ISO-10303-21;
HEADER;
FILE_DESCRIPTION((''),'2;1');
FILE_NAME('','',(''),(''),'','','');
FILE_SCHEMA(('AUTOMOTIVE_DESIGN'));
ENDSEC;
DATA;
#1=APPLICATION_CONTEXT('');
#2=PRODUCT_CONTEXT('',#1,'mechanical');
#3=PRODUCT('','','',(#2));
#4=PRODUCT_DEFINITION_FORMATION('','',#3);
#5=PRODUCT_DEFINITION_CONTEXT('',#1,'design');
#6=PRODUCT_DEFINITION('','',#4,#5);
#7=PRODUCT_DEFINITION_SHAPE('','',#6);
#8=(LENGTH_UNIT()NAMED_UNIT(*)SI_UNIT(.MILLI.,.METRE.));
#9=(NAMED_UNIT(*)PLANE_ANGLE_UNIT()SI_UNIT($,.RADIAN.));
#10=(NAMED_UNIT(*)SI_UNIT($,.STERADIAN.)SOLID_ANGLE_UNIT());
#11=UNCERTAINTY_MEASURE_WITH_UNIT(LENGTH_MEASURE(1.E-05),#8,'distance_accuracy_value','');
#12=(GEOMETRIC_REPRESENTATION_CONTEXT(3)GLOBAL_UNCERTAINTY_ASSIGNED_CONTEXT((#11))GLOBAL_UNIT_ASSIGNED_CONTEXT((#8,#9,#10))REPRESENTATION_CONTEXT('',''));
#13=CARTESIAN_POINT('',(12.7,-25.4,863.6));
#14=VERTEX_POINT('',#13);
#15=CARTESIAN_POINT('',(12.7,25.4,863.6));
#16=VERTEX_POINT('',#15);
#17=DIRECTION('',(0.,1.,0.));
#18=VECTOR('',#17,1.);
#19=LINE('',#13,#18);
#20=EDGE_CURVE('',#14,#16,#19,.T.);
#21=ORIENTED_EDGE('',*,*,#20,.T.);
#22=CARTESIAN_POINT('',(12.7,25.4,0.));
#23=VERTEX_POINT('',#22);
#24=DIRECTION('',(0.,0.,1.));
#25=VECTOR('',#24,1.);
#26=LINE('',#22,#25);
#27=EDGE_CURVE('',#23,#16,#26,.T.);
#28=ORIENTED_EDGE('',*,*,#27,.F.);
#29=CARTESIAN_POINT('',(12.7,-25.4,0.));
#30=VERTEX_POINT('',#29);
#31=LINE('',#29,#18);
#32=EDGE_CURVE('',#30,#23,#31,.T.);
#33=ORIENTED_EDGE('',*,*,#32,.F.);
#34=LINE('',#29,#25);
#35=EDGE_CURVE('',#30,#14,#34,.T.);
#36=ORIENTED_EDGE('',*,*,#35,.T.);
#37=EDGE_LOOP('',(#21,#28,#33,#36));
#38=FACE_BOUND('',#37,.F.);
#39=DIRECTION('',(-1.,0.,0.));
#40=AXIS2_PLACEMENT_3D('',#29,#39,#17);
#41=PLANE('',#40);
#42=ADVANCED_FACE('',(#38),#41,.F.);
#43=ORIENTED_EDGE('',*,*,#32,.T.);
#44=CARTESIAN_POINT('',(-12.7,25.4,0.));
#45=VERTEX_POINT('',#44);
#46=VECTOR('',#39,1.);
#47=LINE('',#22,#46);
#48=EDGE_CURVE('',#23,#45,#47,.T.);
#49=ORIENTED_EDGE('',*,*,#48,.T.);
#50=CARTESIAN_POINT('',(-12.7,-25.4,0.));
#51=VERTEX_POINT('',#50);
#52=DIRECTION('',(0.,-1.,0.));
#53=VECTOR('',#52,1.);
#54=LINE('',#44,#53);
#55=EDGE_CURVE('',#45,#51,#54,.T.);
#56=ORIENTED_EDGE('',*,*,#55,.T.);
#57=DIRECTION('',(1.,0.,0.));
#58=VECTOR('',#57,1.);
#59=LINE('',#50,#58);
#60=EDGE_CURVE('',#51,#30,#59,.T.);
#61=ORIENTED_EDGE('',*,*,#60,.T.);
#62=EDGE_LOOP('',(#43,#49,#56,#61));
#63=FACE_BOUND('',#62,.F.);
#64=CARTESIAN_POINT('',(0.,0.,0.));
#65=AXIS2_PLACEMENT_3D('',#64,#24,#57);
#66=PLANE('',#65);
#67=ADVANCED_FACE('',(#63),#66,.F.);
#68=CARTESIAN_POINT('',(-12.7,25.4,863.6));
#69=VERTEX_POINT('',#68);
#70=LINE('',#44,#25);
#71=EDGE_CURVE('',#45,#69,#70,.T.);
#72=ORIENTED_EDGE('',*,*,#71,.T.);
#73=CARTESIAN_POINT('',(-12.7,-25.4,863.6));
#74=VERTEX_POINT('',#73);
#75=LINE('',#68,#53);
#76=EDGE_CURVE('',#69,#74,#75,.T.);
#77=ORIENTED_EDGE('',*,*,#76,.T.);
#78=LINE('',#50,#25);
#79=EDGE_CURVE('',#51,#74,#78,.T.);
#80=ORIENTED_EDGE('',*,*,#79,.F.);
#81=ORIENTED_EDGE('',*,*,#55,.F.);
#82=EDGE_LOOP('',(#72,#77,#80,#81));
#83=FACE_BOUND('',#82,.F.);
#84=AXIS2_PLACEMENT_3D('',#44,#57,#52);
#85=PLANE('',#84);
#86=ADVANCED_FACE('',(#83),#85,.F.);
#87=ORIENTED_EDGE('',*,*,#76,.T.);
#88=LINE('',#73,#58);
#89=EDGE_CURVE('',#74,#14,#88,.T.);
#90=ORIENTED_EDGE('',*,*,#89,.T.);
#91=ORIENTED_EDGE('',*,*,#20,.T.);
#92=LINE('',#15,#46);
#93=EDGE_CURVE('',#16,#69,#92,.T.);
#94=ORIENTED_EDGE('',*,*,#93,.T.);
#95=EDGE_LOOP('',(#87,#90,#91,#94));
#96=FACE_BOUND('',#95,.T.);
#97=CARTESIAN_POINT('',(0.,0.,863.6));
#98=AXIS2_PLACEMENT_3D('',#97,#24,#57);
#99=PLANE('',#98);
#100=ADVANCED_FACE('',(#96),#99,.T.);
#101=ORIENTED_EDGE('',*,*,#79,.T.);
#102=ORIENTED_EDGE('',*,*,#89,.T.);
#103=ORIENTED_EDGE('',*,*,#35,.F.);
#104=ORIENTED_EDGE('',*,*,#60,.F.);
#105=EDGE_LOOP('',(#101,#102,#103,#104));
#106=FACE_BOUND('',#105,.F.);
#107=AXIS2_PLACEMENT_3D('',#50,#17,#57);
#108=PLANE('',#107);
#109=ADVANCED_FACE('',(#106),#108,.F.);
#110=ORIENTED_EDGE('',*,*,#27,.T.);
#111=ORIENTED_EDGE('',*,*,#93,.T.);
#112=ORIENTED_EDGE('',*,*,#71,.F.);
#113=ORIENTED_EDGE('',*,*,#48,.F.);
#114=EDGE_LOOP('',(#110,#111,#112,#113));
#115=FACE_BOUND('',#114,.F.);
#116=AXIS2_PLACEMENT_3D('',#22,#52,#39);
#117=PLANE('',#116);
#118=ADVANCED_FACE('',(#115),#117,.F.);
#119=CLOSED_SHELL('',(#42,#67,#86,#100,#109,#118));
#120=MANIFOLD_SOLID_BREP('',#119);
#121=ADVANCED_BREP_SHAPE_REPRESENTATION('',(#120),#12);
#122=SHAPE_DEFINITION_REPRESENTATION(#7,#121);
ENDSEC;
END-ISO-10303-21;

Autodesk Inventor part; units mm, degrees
ref_plane "YZ Plane" through (0, 0, 0) normal (1, 0, 0) x (0, 1, 0)
ref_plane "XZ Plane" through (0, 0, 0) normal (0, 1, 0) x (-1, 0, 0)
ref_plane "XY Plane" through (0, 0, 0) normal (0, 0, 1) x (1, 0, 0)
sketch "Sketch1" plane through (0, 0, 0) normal (0, 0, 1) x (1, 0, 0)
  line L0 (-12.7, -25.4) -> (12.7, -25.4)
  line L1 (12.7, -25.4) -> (12.7, 25.4)
  line L2 (12.7, 25.4) -> (-12.7, 25.4)
  line L3 (-12.7, 25.4) -> (-12.7, -25.4)
  line L4 (-12.7, -25.4) -> (12.7, 25.4) construction
  line L5 (12.7, -25.4) -> (-12.7, 25.4) construction
  point P0 (0, 0)
  dimension "d0" = 25.4
  dimension "d1" = 50.8
extrude "Extrusion1" add sketch "Sketch1" along normal blind 863.6
properties part number "utility1x2box"
